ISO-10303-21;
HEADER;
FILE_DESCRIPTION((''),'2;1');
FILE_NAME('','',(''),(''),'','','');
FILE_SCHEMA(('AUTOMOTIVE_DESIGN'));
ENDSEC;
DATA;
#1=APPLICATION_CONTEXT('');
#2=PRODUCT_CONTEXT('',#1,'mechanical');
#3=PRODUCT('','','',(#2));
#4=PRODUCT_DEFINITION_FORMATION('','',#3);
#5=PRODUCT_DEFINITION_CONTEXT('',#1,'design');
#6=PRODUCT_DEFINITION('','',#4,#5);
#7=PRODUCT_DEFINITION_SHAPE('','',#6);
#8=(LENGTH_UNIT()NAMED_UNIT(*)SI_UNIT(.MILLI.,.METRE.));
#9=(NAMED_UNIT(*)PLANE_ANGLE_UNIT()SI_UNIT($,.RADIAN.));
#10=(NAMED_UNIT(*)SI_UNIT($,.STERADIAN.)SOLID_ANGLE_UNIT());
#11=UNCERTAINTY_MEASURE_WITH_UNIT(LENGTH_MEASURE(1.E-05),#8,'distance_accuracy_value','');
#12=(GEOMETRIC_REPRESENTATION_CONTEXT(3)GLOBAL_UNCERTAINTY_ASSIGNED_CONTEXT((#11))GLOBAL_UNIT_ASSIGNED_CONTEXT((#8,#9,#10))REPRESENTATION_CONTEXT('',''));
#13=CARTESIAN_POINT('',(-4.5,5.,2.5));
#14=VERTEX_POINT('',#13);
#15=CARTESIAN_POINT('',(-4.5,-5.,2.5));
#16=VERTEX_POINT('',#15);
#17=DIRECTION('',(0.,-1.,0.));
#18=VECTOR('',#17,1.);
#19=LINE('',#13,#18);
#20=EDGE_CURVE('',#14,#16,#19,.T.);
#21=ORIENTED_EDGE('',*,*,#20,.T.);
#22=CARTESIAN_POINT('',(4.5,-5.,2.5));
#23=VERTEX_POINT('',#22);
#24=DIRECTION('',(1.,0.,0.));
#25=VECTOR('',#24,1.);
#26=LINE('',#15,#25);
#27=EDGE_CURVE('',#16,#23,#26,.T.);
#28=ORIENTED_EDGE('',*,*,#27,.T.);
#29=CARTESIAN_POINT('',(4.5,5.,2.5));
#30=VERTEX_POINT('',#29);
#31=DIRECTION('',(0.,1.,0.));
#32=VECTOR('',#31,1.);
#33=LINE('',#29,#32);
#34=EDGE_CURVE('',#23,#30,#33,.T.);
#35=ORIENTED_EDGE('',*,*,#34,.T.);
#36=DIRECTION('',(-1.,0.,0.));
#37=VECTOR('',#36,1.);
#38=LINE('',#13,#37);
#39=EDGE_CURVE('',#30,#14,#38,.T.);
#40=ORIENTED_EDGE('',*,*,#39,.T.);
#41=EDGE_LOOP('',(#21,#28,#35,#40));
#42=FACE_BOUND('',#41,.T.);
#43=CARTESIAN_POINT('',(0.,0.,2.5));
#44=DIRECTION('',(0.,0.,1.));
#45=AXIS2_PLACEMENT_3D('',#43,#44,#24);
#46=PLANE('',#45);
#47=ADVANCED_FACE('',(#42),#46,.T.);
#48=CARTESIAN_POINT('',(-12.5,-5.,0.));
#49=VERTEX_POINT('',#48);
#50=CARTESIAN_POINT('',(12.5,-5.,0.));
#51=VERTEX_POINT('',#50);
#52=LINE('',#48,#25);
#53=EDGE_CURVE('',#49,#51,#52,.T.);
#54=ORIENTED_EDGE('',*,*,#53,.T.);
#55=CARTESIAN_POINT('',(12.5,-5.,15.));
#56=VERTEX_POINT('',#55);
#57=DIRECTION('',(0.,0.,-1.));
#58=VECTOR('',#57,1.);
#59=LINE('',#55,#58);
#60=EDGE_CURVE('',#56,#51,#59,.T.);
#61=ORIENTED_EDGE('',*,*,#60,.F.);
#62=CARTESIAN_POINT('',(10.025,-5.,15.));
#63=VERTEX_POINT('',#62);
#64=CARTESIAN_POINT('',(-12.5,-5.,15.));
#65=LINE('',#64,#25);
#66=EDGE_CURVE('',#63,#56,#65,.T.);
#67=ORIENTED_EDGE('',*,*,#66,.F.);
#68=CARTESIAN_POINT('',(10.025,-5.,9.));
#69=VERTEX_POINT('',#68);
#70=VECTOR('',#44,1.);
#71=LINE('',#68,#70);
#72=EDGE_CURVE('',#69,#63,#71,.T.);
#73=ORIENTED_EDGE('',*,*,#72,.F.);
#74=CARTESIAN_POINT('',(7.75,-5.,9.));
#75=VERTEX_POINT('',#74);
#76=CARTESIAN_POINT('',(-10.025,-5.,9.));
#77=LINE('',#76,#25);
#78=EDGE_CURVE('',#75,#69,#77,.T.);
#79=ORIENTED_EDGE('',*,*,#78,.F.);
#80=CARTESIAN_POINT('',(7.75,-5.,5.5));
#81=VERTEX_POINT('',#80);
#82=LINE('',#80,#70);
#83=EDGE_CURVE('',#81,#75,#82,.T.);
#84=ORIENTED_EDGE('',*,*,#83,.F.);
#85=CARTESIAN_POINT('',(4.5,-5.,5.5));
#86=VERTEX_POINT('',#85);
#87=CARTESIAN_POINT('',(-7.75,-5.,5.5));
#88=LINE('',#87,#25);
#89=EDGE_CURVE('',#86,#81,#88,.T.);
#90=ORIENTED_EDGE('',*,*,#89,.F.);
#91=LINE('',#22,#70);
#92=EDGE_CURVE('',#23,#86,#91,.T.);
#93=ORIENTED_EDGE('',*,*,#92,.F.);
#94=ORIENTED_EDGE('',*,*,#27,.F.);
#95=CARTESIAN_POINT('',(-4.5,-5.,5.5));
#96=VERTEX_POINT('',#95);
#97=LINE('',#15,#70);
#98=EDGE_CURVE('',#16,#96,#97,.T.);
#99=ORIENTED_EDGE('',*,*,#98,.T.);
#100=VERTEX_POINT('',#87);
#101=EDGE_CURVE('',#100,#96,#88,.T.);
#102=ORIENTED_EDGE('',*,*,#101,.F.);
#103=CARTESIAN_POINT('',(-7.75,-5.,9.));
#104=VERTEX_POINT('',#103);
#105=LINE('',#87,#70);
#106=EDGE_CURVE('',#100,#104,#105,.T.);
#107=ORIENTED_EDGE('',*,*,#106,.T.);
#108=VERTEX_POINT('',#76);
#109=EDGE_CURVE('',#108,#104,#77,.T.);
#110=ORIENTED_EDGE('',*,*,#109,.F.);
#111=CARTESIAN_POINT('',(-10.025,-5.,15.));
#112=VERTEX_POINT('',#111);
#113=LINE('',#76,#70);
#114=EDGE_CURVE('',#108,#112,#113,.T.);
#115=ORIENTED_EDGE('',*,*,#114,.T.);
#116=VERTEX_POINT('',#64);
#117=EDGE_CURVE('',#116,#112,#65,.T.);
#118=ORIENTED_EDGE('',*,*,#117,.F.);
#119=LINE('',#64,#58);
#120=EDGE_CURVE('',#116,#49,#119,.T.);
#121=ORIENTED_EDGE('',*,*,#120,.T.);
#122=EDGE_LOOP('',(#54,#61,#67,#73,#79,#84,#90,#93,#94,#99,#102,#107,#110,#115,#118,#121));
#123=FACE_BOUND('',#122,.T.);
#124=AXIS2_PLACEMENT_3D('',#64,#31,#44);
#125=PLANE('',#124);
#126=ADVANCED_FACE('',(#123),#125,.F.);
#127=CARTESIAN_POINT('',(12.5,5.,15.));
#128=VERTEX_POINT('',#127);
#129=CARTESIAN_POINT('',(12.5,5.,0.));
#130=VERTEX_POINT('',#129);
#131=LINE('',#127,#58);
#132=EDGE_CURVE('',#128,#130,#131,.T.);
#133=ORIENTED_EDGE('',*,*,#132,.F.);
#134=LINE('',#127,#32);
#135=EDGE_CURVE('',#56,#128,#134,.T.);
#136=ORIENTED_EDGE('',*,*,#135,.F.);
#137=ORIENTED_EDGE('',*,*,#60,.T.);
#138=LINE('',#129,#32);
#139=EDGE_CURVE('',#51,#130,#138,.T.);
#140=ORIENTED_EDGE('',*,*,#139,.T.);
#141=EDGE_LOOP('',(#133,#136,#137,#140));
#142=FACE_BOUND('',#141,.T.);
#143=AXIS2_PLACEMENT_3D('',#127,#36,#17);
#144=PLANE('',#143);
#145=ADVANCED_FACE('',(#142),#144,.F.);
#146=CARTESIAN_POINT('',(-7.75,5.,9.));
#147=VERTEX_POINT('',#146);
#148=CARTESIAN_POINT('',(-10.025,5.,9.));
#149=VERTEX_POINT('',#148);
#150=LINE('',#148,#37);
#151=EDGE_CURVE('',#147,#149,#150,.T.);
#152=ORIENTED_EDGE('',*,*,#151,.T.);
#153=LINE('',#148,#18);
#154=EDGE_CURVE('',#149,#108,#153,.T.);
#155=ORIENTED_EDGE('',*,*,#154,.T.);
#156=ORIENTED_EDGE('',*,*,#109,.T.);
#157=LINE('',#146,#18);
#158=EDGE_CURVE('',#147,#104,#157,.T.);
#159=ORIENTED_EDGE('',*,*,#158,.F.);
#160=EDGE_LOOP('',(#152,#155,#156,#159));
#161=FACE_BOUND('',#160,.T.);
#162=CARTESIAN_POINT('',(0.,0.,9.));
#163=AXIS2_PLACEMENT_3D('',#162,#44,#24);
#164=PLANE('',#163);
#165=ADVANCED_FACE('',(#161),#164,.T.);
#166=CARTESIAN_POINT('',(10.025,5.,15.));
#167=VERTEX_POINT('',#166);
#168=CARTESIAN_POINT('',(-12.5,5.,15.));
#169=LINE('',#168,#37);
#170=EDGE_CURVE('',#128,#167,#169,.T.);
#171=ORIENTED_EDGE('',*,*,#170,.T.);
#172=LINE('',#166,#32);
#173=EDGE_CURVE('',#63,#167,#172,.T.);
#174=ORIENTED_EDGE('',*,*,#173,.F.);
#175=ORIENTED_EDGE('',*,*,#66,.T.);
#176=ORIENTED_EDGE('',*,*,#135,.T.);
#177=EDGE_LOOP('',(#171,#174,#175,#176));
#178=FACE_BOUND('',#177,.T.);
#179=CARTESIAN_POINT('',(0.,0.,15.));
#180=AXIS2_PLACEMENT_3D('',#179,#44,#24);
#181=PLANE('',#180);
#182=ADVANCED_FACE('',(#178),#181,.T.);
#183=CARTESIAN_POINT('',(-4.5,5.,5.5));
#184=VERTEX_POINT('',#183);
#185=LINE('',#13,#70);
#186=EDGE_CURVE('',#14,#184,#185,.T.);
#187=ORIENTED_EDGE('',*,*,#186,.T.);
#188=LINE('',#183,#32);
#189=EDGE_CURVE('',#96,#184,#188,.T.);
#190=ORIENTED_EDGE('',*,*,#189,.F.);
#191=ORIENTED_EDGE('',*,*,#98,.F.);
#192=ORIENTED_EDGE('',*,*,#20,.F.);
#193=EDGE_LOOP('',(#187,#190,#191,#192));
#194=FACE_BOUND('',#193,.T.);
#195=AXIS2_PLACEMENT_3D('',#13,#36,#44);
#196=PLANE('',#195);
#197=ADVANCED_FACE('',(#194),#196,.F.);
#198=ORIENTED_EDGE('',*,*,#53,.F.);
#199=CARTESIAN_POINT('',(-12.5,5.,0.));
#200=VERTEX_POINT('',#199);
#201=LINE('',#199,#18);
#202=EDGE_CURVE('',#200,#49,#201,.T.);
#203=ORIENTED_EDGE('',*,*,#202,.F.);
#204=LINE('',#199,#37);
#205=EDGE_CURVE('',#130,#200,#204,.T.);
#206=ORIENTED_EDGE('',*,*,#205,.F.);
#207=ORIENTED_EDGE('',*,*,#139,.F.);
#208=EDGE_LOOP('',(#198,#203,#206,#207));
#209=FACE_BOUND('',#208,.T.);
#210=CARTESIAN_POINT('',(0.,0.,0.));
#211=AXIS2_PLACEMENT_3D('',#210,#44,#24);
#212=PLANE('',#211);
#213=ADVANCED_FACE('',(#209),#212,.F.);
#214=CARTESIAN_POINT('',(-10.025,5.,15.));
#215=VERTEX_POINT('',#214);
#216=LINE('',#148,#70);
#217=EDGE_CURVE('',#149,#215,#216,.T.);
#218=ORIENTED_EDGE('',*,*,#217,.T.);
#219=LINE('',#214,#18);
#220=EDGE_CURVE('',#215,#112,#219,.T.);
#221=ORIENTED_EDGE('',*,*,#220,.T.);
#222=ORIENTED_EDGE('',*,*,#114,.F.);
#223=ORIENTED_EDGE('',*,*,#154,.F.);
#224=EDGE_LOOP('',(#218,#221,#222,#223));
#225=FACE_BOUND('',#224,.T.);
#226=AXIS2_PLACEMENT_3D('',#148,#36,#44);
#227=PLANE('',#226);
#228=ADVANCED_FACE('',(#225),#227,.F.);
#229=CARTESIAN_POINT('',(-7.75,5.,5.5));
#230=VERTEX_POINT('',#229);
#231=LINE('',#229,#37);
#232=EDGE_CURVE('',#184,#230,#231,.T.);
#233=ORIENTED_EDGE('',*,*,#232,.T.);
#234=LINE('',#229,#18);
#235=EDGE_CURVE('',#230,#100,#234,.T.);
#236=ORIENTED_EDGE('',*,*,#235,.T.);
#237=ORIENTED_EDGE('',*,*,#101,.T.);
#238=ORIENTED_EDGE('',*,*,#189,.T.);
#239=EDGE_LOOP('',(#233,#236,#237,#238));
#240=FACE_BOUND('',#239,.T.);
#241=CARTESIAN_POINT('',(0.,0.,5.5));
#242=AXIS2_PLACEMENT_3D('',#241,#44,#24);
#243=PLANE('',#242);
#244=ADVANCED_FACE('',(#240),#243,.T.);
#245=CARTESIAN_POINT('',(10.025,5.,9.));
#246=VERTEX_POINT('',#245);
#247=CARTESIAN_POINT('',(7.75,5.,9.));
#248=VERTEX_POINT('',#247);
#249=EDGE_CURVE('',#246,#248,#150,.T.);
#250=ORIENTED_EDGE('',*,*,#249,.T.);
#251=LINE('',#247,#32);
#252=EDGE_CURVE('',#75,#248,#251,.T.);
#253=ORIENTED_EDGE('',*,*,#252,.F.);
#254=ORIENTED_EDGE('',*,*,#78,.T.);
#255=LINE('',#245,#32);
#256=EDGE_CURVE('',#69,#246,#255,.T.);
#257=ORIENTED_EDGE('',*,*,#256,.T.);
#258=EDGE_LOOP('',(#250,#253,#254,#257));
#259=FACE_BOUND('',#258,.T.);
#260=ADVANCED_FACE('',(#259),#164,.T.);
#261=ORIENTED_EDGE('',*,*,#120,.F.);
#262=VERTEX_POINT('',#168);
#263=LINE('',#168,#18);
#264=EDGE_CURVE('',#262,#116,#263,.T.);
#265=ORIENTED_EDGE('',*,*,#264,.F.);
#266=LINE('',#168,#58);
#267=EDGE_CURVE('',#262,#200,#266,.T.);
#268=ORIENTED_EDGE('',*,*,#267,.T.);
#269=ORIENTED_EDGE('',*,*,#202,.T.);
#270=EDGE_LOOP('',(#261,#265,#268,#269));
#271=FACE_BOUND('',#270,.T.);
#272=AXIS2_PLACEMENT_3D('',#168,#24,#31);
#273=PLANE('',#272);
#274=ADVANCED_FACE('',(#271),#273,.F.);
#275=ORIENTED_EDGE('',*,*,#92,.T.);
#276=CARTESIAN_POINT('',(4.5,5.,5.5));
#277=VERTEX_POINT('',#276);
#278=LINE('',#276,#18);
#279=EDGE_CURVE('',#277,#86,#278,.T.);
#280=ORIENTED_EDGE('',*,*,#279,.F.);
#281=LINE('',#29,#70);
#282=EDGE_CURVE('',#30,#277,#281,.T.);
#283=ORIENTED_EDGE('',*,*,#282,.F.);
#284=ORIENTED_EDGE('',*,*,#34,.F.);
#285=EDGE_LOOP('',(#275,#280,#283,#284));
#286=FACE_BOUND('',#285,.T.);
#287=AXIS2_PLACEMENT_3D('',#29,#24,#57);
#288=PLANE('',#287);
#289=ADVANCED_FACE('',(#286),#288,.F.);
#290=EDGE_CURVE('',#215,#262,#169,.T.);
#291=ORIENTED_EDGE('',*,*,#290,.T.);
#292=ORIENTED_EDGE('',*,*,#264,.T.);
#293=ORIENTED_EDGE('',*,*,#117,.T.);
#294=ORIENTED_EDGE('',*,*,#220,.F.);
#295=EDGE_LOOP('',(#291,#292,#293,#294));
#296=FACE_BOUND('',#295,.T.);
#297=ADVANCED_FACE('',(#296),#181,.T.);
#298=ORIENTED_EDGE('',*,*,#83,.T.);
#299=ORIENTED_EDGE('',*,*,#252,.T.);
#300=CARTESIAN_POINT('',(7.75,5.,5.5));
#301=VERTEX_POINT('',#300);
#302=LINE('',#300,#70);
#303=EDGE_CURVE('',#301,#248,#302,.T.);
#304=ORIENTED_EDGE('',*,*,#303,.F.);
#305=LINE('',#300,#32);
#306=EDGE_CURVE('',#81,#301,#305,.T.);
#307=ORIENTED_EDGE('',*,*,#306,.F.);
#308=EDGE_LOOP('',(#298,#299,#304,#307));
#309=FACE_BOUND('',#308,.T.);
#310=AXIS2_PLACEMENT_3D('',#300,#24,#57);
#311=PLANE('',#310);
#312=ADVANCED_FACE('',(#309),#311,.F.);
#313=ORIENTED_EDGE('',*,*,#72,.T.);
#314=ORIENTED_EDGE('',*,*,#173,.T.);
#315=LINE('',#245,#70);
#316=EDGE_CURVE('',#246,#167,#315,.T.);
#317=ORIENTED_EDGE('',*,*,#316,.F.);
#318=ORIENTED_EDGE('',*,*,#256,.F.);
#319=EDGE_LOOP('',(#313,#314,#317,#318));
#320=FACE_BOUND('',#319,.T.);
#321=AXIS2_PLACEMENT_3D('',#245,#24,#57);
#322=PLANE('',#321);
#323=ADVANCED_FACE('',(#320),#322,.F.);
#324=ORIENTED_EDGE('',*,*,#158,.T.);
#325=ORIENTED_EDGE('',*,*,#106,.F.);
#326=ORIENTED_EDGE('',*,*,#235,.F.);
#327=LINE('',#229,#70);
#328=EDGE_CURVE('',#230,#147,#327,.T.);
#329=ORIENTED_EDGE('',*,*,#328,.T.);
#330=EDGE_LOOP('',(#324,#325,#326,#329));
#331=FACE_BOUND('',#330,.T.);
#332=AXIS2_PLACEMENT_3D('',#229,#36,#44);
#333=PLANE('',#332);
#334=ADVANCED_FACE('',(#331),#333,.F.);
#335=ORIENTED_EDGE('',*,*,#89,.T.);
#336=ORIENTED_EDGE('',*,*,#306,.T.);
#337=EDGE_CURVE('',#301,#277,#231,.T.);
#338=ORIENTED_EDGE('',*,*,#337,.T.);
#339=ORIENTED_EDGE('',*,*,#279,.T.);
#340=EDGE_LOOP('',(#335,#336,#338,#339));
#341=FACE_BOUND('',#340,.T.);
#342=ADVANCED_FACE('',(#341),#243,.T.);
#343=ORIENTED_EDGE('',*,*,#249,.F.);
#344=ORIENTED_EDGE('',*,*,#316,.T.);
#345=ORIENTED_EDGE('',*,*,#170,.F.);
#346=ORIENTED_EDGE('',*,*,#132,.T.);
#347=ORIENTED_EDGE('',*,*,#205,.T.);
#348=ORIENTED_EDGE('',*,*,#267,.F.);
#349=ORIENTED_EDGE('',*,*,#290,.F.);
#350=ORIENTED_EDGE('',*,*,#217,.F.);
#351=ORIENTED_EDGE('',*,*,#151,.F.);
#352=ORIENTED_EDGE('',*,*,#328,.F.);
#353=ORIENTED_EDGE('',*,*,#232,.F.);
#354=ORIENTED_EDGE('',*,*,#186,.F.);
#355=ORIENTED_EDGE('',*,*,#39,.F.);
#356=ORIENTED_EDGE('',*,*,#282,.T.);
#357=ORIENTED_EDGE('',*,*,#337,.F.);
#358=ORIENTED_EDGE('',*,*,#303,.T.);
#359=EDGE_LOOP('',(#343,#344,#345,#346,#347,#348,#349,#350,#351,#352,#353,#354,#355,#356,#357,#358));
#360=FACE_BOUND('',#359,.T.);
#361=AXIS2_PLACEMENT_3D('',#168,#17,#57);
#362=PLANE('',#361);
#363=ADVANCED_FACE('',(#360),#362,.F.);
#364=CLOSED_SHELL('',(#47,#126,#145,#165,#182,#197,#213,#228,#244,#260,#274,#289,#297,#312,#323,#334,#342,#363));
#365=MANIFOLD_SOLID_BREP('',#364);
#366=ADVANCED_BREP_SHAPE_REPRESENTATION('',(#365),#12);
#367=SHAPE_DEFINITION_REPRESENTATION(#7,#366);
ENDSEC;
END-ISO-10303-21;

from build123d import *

# Parameters (mm, degrees)
SKETCH1_W           = 25
SKETCH1_H           = 10
BOSS_EXTRUDE1_DEPTH = 15
SKETCH2_W           = 20.05
SKETCH2_H           = 10
CUT_EXTRUDE1_DEPTH  = 6
SKETCH3_W           = 9
SKETCH3_H           = 10
CUT_EXTRUDE2_DEPTH  = 6.5
SKETCH4_W           = 15.5
SKETCH4_H           = 10
CUT_EXTRUDE3_DEPTH  = 3.5


with BuildPart() as part:
    # Sketch1 → Boss-Extrude1 (new body)
    with BuildSketch(Plane.XY):
        Rectangle(SKETCH1_W, SKETCH1_H)
    extrude(amount=BOSS_EXTRUDE1_DEPTH)

    # Sketch2 → Cut-Extrude1 (cut)
    with BuildSketch(Plane.XY.offset(15)):
        Rectangle(SKETCH2_W, SKETCH2_H)
    extrude(amount=-CUT_EXTRUDE1_DEPTH, mode=Mode.SUBTRACT)

    # Sketch3 → Cut-Extrude2 (cut)
    with BuildSketch(Plane.XY.offset(9)):
        Rectangle(SKETCH3_W, SKETCH3_H)
    extrude(amount=-CUT_EXTRUDE2_DEPTH, mode=Mode.SUBTRACT)

    # Sketch4 → Cut-Extrude3 (cut)
    with BuildSketch(Plane.XY.offset(9)):
        Rectangle(SKETCH4_W, SKETCH4_H)
    extrude(amount=-CUT_EXTRUDE3_DEPTH, mode=Mode.SUBTRACT)


solid = part.part
